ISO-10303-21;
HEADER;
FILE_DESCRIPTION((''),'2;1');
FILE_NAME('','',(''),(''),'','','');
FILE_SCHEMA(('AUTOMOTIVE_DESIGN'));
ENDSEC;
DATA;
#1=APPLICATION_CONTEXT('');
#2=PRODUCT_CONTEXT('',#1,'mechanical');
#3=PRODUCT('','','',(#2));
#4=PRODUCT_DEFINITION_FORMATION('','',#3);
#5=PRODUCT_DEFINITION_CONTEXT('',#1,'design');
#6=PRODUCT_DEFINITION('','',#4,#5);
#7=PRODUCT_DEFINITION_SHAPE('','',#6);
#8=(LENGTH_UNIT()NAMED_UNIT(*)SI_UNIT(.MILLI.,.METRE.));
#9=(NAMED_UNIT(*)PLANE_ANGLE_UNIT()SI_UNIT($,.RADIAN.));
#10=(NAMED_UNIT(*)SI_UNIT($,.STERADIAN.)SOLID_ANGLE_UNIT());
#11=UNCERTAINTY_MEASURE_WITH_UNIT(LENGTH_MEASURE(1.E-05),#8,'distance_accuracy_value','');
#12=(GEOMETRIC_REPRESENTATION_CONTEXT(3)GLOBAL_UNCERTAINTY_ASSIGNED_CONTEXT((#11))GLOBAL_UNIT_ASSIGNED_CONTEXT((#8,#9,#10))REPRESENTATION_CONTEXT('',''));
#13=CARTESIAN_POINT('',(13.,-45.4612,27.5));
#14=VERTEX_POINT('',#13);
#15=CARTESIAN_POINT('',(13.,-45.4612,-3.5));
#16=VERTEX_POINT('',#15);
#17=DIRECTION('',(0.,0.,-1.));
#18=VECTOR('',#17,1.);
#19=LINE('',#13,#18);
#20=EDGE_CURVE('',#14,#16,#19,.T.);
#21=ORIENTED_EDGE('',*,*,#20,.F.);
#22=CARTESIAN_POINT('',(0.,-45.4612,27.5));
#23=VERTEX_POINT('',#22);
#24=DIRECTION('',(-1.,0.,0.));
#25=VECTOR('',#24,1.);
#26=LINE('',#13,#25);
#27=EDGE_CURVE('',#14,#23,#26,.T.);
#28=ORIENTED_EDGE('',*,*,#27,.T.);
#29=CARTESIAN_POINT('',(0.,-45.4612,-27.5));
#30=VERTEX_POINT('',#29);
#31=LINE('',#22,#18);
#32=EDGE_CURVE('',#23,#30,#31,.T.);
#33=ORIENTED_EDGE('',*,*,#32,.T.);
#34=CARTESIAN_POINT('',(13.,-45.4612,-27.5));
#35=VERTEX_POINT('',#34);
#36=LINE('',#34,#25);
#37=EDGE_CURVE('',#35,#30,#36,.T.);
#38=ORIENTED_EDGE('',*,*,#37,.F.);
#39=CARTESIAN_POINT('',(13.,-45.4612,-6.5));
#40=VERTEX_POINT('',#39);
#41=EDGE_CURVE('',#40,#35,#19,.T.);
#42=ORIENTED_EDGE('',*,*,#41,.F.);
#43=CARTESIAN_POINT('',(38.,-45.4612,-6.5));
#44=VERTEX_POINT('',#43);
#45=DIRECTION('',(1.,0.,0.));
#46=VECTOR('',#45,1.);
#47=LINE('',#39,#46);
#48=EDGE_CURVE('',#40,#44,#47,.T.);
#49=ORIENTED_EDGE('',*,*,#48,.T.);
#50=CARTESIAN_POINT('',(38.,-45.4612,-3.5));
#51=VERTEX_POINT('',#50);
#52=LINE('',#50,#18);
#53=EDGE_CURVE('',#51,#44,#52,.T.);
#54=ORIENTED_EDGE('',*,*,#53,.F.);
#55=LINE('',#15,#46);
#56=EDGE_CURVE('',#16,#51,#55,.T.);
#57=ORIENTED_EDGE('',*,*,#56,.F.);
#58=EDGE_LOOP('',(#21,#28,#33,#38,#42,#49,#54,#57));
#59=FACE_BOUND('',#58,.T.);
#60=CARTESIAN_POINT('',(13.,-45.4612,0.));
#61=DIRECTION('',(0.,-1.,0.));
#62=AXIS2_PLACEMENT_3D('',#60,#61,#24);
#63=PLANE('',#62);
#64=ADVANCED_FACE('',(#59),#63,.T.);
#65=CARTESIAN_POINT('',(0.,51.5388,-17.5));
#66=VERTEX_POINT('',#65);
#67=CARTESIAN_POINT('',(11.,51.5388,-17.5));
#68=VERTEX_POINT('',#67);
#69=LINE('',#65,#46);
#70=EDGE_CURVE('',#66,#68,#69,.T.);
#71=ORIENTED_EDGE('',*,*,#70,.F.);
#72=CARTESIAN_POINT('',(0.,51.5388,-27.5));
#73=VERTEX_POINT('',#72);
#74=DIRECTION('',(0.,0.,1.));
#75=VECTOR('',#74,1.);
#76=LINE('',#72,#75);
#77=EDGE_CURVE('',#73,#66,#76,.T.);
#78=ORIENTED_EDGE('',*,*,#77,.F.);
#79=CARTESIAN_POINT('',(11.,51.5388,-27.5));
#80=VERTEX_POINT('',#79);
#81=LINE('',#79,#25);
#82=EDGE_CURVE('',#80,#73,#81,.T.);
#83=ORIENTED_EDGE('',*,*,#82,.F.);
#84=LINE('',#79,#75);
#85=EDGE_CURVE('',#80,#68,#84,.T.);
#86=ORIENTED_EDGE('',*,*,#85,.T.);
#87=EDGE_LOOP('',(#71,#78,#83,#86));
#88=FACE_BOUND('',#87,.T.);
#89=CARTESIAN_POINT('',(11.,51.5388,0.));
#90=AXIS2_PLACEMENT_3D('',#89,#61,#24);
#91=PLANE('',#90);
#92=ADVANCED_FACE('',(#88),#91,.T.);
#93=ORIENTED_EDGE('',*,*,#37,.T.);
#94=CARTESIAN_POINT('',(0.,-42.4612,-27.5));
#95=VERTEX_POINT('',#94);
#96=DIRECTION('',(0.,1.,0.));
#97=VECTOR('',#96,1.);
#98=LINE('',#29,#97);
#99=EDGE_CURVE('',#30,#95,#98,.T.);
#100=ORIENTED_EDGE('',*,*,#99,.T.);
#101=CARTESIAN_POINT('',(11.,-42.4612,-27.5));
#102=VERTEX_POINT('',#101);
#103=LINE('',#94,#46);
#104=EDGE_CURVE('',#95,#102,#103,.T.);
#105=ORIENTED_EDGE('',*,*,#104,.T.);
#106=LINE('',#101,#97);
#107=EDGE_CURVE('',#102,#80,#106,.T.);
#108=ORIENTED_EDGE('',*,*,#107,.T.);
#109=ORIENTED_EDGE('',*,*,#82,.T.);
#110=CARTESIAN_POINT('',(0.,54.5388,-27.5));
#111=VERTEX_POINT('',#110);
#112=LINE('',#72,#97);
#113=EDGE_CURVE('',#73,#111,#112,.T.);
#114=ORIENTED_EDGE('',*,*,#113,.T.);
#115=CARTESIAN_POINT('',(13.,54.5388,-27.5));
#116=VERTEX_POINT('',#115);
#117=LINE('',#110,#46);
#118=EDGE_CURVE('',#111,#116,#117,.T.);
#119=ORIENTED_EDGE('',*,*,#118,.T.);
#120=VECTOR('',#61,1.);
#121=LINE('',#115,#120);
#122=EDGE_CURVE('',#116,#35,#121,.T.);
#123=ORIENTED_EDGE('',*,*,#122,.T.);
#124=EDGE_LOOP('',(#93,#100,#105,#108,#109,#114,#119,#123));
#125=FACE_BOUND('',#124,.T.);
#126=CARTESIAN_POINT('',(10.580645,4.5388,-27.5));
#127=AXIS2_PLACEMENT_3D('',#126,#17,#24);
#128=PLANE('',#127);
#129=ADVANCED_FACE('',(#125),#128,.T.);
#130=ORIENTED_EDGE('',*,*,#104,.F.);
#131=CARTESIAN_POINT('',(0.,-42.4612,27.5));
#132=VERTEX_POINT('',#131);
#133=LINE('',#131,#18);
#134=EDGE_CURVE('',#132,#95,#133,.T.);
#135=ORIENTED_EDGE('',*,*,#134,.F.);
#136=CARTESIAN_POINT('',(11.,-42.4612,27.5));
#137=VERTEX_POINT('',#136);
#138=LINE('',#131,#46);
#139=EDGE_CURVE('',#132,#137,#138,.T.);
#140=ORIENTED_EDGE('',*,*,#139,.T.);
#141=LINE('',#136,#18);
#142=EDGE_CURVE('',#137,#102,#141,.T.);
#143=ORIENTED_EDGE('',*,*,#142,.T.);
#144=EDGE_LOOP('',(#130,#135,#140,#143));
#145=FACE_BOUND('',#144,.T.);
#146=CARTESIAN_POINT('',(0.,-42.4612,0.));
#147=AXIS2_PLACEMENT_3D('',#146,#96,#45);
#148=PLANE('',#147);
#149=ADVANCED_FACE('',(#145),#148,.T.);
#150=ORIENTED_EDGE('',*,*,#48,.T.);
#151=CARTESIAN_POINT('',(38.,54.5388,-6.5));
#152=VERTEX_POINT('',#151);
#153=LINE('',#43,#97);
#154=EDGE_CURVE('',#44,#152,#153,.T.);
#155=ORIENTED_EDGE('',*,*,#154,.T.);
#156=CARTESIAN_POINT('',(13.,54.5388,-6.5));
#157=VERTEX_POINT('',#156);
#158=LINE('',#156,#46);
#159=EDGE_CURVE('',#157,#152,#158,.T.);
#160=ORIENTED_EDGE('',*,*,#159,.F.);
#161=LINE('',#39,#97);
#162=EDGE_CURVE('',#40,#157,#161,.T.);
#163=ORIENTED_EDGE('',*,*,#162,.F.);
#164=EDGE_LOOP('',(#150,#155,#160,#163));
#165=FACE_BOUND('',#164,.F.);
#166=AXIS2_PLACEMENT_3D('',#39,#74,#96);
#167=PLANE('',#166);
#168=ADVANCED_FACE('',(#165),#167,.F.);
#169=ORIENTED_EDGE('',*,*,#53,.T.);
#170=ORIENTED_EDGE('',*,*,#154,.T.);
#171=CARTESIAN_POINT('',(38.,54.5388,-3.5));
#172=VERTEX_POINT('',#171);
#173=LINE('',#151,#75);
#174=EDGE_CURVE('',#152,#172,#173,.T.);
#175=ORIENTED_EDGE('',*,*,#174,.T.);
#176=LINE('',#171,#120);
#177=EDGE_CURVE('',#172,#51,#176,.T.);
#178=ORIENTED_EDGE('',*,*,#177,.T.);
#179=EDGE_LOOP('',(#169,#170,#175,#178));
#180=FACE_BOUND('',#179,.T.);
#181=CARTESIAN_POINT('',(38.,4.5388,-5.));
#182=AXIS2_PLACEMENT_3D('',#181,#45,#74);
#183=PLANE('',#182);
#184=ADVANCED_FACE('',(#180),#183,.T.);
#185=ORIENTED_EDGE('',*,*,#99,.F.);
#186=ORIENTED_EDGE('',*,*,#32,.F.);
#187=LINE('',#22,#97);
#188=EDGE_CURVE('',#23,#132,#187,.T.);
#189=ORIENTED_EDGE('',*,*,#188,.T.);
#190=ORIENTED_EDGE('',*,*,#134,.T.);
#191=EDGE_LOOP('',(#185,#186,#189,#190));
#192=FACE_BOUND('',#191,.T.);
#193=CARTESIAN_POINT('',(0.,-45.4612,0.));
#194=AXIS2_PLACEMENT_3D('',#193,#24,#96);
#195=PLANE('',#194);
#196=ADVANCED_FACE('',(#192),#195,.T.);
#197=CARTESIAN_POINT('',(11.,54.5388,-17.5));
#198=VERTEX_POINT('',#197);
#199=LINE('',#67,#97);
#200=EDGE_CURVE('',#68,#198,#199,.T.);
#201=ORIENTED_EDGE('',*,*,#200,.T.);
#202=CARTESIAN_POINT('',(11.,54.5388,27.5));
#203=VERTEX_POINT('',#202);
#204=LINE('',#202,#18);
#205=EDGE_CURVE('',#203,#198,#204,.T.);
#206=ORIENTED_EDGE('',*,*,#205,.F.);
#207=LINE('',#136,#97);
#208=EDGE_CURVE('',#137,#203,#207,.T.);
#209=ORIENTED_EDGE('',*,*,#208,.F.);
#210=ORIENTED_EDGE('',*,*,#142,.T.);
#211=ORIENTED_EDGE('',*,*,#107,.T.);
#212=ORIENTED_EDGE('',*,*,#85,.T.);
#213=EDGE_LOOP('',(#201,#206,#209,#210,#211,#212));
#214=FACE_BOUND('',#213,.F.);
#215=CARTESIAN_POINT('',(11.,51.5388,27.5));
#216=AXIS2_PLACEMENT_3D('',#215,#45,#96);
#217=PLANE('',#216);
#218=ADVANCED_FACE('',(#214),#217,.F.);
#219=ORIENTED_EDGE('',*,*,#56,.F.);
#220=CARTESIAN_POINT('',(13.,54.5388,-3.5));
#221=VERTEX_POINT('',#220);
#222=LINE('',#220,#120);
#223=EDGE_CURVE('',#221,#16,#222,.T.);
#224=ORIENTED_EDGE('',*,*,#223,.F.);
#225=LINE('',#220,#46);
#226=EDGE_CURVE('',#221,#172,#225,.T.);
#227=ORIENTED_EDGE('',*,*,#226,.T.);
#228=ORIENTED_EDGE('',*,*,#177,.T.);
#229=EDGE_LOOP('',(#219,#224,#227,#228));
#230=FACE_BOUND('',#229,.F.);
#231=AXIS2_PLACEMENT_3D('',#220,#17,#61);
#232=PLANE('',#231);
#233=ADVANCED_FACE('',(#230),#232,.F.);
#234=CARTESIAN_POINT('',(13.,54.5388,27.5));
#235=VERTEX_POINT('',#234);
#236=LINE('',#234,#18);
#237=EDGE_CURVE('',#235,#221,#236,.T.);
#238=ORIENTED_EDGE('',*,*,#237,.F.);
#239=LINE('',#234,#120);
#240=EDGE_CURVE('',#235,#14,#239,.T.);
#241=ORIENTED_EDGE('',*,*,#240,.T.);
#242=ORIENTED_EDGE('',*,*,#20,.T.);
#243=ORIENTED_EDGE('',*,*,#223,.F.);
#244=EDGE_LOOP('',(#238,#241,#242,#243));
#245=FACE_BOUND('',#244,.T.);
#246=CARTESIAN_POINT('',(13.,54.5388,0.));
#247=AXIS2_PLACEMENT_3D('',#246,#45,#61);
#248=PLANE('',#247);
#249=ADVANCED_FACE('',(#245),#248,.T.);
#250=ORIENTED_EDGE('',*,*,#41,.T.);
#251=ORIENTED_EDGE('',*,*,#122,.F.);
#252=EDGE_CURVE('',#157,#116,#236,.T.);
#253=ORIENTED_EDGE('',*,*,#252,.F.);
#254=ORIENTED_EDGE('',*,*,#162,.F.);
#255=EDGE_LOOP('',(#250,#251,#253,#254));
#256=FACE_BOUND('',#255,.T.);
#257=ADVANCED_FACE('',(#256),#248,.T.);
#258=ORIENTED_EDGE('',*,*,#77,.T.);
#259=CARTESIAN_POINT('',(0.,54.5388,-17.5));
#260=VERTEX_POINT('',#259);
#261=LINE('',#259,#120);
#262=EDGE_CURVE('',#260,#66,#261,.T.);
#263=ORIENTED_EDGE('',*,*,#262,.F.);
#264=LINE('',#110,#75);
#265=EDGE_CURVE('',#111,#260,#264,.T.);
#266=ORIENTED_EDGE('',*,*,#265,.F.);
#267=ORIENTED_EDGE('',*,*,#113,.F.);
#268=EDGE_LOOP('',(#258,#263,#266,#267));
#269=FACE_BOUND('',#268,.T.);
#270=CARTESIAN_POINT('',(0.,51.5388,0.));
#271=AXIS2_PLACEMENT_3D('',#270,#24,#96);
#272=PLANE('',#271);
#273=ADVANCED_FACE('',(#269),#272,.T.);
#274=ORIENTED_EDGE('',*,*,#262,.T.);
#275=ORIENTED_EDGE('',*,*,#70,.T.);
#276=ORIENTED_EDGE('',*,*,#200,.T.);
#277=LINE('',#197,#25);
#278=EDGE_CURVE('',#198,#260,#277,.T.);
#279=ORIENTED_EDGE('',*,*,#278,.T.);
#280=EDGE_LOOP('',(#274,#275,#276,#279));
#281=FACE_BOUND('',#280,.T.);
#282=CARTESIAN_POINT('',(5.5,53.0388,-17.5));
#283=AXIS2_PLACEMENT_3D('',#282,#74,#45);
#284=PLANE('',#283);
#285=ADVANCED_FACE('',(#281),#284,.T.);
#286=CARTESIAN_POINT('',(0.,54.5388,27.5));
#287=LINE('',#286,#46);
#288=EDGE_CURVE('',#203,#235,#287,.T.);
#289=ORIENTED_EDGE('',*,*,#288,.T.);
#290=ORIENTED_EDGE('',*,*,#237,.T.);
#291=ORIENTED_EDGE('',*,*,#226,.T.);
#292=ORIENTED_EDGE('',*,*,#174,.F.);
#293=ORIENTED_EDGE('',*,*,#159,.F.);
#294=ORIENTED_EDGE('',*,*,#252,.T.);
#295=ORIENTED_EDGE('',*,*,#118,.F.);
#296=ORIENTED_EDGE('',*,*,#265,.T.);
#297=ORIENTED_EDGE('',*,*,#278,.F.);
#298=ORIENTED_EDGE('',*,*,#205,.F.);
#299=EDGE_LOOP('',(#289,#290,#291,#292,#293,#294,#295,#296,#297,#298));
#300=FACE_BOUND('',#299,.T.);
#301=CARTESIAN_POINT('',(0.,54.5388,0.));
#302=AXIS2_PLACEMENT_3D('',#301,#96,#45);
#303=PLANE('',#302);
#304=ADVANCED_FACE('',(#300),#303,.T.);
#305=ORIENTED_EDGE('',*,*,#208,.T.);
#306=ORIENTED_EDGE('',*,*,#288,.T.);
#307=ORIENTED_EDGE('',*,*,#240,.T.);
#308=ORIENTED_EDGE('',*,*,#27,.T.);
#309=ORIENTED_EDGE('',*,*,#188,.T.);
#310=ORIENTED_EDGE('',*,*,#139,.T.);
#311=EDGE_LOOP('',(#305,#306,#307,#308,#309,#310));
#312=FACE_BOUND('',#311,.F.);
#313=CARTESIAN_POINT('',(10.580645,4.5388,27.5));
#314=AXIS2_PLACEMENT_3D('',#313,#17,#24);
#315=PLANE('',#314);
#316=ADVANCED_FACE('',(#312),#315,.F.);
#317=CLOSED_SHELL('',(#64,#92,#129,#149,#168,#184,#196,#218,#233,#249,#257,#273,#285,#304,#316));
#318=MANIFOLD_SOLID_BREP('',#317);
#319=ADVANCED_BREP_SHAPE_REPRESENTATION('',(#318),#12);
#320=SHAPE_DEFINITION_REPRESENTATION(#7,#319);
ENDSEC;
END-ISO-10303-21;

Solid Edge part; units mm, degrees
sketch "Sketch1" plane through (0, 0, 0) normal (0, 0, 1) x (1, 0, 0)
  line L0 (0, 54.5388) -> (13, 54.5388)
  line L1 (13, 54.5388) -> (13, -45.4612)
  line L2 (13, -45.4612) -> (0, -45.4612)
  line L3 (0, -45.4612) -> (0, -42.4612)
  line L4 (0, -42.4612) -> (11, -42.4612)
  line L5 (11, -42.4612) -> (11, 51.5388)
  line L6 (11, 51.5388) -> (0, 51.5388)
  line L7 (0, 51.5388) -> (0, 54.5388)
  dimension "D1" = 13
  dimension "D2" = 100
  dimension "D3" = 3
  dimension "D4" = 2
  dimension "D5" = 3
extrude "Protrusion1" add sketch "Sketch1" along normal mid plane 55
sketch "Sketch2" plane through (13, 4.5388, 0) normal (1, 0, 0) x (0, 1, 0)
  line L0 (-50, -6.5) -> (50, -6.5)
  line L1 (50, -6.5) -> (50, -3.5)
  line L2 (50, -3.5) -> (-50, -3.5)
  line L3 (-50, -3.5) -> (-50, -6.5)
  dimension "D1" = 3
  dimension "D2" = 21
extrude "ExtrudedProtrusion_3" add sketch "Sketch2" along normal blind 25
sketch "Sketch3" plane through (10.5, 4.5388, 27.5) normal (0, 0, 1) x (1, 0, 0)
  line L0 (-10.5, 47) -> (0.5, 47)
  line L1 (0.5, 47) -> (0.5, 50)
  line L2 (0.5, 50) -> (-10.5, 50)
  line L3 (-10.5, 50) -> (-10.5, 47)
extrude "ExtrudedCutout_1" cut sketch "Sketch3" against normal blind 45
properties material "ABS Plastic, high impact"
